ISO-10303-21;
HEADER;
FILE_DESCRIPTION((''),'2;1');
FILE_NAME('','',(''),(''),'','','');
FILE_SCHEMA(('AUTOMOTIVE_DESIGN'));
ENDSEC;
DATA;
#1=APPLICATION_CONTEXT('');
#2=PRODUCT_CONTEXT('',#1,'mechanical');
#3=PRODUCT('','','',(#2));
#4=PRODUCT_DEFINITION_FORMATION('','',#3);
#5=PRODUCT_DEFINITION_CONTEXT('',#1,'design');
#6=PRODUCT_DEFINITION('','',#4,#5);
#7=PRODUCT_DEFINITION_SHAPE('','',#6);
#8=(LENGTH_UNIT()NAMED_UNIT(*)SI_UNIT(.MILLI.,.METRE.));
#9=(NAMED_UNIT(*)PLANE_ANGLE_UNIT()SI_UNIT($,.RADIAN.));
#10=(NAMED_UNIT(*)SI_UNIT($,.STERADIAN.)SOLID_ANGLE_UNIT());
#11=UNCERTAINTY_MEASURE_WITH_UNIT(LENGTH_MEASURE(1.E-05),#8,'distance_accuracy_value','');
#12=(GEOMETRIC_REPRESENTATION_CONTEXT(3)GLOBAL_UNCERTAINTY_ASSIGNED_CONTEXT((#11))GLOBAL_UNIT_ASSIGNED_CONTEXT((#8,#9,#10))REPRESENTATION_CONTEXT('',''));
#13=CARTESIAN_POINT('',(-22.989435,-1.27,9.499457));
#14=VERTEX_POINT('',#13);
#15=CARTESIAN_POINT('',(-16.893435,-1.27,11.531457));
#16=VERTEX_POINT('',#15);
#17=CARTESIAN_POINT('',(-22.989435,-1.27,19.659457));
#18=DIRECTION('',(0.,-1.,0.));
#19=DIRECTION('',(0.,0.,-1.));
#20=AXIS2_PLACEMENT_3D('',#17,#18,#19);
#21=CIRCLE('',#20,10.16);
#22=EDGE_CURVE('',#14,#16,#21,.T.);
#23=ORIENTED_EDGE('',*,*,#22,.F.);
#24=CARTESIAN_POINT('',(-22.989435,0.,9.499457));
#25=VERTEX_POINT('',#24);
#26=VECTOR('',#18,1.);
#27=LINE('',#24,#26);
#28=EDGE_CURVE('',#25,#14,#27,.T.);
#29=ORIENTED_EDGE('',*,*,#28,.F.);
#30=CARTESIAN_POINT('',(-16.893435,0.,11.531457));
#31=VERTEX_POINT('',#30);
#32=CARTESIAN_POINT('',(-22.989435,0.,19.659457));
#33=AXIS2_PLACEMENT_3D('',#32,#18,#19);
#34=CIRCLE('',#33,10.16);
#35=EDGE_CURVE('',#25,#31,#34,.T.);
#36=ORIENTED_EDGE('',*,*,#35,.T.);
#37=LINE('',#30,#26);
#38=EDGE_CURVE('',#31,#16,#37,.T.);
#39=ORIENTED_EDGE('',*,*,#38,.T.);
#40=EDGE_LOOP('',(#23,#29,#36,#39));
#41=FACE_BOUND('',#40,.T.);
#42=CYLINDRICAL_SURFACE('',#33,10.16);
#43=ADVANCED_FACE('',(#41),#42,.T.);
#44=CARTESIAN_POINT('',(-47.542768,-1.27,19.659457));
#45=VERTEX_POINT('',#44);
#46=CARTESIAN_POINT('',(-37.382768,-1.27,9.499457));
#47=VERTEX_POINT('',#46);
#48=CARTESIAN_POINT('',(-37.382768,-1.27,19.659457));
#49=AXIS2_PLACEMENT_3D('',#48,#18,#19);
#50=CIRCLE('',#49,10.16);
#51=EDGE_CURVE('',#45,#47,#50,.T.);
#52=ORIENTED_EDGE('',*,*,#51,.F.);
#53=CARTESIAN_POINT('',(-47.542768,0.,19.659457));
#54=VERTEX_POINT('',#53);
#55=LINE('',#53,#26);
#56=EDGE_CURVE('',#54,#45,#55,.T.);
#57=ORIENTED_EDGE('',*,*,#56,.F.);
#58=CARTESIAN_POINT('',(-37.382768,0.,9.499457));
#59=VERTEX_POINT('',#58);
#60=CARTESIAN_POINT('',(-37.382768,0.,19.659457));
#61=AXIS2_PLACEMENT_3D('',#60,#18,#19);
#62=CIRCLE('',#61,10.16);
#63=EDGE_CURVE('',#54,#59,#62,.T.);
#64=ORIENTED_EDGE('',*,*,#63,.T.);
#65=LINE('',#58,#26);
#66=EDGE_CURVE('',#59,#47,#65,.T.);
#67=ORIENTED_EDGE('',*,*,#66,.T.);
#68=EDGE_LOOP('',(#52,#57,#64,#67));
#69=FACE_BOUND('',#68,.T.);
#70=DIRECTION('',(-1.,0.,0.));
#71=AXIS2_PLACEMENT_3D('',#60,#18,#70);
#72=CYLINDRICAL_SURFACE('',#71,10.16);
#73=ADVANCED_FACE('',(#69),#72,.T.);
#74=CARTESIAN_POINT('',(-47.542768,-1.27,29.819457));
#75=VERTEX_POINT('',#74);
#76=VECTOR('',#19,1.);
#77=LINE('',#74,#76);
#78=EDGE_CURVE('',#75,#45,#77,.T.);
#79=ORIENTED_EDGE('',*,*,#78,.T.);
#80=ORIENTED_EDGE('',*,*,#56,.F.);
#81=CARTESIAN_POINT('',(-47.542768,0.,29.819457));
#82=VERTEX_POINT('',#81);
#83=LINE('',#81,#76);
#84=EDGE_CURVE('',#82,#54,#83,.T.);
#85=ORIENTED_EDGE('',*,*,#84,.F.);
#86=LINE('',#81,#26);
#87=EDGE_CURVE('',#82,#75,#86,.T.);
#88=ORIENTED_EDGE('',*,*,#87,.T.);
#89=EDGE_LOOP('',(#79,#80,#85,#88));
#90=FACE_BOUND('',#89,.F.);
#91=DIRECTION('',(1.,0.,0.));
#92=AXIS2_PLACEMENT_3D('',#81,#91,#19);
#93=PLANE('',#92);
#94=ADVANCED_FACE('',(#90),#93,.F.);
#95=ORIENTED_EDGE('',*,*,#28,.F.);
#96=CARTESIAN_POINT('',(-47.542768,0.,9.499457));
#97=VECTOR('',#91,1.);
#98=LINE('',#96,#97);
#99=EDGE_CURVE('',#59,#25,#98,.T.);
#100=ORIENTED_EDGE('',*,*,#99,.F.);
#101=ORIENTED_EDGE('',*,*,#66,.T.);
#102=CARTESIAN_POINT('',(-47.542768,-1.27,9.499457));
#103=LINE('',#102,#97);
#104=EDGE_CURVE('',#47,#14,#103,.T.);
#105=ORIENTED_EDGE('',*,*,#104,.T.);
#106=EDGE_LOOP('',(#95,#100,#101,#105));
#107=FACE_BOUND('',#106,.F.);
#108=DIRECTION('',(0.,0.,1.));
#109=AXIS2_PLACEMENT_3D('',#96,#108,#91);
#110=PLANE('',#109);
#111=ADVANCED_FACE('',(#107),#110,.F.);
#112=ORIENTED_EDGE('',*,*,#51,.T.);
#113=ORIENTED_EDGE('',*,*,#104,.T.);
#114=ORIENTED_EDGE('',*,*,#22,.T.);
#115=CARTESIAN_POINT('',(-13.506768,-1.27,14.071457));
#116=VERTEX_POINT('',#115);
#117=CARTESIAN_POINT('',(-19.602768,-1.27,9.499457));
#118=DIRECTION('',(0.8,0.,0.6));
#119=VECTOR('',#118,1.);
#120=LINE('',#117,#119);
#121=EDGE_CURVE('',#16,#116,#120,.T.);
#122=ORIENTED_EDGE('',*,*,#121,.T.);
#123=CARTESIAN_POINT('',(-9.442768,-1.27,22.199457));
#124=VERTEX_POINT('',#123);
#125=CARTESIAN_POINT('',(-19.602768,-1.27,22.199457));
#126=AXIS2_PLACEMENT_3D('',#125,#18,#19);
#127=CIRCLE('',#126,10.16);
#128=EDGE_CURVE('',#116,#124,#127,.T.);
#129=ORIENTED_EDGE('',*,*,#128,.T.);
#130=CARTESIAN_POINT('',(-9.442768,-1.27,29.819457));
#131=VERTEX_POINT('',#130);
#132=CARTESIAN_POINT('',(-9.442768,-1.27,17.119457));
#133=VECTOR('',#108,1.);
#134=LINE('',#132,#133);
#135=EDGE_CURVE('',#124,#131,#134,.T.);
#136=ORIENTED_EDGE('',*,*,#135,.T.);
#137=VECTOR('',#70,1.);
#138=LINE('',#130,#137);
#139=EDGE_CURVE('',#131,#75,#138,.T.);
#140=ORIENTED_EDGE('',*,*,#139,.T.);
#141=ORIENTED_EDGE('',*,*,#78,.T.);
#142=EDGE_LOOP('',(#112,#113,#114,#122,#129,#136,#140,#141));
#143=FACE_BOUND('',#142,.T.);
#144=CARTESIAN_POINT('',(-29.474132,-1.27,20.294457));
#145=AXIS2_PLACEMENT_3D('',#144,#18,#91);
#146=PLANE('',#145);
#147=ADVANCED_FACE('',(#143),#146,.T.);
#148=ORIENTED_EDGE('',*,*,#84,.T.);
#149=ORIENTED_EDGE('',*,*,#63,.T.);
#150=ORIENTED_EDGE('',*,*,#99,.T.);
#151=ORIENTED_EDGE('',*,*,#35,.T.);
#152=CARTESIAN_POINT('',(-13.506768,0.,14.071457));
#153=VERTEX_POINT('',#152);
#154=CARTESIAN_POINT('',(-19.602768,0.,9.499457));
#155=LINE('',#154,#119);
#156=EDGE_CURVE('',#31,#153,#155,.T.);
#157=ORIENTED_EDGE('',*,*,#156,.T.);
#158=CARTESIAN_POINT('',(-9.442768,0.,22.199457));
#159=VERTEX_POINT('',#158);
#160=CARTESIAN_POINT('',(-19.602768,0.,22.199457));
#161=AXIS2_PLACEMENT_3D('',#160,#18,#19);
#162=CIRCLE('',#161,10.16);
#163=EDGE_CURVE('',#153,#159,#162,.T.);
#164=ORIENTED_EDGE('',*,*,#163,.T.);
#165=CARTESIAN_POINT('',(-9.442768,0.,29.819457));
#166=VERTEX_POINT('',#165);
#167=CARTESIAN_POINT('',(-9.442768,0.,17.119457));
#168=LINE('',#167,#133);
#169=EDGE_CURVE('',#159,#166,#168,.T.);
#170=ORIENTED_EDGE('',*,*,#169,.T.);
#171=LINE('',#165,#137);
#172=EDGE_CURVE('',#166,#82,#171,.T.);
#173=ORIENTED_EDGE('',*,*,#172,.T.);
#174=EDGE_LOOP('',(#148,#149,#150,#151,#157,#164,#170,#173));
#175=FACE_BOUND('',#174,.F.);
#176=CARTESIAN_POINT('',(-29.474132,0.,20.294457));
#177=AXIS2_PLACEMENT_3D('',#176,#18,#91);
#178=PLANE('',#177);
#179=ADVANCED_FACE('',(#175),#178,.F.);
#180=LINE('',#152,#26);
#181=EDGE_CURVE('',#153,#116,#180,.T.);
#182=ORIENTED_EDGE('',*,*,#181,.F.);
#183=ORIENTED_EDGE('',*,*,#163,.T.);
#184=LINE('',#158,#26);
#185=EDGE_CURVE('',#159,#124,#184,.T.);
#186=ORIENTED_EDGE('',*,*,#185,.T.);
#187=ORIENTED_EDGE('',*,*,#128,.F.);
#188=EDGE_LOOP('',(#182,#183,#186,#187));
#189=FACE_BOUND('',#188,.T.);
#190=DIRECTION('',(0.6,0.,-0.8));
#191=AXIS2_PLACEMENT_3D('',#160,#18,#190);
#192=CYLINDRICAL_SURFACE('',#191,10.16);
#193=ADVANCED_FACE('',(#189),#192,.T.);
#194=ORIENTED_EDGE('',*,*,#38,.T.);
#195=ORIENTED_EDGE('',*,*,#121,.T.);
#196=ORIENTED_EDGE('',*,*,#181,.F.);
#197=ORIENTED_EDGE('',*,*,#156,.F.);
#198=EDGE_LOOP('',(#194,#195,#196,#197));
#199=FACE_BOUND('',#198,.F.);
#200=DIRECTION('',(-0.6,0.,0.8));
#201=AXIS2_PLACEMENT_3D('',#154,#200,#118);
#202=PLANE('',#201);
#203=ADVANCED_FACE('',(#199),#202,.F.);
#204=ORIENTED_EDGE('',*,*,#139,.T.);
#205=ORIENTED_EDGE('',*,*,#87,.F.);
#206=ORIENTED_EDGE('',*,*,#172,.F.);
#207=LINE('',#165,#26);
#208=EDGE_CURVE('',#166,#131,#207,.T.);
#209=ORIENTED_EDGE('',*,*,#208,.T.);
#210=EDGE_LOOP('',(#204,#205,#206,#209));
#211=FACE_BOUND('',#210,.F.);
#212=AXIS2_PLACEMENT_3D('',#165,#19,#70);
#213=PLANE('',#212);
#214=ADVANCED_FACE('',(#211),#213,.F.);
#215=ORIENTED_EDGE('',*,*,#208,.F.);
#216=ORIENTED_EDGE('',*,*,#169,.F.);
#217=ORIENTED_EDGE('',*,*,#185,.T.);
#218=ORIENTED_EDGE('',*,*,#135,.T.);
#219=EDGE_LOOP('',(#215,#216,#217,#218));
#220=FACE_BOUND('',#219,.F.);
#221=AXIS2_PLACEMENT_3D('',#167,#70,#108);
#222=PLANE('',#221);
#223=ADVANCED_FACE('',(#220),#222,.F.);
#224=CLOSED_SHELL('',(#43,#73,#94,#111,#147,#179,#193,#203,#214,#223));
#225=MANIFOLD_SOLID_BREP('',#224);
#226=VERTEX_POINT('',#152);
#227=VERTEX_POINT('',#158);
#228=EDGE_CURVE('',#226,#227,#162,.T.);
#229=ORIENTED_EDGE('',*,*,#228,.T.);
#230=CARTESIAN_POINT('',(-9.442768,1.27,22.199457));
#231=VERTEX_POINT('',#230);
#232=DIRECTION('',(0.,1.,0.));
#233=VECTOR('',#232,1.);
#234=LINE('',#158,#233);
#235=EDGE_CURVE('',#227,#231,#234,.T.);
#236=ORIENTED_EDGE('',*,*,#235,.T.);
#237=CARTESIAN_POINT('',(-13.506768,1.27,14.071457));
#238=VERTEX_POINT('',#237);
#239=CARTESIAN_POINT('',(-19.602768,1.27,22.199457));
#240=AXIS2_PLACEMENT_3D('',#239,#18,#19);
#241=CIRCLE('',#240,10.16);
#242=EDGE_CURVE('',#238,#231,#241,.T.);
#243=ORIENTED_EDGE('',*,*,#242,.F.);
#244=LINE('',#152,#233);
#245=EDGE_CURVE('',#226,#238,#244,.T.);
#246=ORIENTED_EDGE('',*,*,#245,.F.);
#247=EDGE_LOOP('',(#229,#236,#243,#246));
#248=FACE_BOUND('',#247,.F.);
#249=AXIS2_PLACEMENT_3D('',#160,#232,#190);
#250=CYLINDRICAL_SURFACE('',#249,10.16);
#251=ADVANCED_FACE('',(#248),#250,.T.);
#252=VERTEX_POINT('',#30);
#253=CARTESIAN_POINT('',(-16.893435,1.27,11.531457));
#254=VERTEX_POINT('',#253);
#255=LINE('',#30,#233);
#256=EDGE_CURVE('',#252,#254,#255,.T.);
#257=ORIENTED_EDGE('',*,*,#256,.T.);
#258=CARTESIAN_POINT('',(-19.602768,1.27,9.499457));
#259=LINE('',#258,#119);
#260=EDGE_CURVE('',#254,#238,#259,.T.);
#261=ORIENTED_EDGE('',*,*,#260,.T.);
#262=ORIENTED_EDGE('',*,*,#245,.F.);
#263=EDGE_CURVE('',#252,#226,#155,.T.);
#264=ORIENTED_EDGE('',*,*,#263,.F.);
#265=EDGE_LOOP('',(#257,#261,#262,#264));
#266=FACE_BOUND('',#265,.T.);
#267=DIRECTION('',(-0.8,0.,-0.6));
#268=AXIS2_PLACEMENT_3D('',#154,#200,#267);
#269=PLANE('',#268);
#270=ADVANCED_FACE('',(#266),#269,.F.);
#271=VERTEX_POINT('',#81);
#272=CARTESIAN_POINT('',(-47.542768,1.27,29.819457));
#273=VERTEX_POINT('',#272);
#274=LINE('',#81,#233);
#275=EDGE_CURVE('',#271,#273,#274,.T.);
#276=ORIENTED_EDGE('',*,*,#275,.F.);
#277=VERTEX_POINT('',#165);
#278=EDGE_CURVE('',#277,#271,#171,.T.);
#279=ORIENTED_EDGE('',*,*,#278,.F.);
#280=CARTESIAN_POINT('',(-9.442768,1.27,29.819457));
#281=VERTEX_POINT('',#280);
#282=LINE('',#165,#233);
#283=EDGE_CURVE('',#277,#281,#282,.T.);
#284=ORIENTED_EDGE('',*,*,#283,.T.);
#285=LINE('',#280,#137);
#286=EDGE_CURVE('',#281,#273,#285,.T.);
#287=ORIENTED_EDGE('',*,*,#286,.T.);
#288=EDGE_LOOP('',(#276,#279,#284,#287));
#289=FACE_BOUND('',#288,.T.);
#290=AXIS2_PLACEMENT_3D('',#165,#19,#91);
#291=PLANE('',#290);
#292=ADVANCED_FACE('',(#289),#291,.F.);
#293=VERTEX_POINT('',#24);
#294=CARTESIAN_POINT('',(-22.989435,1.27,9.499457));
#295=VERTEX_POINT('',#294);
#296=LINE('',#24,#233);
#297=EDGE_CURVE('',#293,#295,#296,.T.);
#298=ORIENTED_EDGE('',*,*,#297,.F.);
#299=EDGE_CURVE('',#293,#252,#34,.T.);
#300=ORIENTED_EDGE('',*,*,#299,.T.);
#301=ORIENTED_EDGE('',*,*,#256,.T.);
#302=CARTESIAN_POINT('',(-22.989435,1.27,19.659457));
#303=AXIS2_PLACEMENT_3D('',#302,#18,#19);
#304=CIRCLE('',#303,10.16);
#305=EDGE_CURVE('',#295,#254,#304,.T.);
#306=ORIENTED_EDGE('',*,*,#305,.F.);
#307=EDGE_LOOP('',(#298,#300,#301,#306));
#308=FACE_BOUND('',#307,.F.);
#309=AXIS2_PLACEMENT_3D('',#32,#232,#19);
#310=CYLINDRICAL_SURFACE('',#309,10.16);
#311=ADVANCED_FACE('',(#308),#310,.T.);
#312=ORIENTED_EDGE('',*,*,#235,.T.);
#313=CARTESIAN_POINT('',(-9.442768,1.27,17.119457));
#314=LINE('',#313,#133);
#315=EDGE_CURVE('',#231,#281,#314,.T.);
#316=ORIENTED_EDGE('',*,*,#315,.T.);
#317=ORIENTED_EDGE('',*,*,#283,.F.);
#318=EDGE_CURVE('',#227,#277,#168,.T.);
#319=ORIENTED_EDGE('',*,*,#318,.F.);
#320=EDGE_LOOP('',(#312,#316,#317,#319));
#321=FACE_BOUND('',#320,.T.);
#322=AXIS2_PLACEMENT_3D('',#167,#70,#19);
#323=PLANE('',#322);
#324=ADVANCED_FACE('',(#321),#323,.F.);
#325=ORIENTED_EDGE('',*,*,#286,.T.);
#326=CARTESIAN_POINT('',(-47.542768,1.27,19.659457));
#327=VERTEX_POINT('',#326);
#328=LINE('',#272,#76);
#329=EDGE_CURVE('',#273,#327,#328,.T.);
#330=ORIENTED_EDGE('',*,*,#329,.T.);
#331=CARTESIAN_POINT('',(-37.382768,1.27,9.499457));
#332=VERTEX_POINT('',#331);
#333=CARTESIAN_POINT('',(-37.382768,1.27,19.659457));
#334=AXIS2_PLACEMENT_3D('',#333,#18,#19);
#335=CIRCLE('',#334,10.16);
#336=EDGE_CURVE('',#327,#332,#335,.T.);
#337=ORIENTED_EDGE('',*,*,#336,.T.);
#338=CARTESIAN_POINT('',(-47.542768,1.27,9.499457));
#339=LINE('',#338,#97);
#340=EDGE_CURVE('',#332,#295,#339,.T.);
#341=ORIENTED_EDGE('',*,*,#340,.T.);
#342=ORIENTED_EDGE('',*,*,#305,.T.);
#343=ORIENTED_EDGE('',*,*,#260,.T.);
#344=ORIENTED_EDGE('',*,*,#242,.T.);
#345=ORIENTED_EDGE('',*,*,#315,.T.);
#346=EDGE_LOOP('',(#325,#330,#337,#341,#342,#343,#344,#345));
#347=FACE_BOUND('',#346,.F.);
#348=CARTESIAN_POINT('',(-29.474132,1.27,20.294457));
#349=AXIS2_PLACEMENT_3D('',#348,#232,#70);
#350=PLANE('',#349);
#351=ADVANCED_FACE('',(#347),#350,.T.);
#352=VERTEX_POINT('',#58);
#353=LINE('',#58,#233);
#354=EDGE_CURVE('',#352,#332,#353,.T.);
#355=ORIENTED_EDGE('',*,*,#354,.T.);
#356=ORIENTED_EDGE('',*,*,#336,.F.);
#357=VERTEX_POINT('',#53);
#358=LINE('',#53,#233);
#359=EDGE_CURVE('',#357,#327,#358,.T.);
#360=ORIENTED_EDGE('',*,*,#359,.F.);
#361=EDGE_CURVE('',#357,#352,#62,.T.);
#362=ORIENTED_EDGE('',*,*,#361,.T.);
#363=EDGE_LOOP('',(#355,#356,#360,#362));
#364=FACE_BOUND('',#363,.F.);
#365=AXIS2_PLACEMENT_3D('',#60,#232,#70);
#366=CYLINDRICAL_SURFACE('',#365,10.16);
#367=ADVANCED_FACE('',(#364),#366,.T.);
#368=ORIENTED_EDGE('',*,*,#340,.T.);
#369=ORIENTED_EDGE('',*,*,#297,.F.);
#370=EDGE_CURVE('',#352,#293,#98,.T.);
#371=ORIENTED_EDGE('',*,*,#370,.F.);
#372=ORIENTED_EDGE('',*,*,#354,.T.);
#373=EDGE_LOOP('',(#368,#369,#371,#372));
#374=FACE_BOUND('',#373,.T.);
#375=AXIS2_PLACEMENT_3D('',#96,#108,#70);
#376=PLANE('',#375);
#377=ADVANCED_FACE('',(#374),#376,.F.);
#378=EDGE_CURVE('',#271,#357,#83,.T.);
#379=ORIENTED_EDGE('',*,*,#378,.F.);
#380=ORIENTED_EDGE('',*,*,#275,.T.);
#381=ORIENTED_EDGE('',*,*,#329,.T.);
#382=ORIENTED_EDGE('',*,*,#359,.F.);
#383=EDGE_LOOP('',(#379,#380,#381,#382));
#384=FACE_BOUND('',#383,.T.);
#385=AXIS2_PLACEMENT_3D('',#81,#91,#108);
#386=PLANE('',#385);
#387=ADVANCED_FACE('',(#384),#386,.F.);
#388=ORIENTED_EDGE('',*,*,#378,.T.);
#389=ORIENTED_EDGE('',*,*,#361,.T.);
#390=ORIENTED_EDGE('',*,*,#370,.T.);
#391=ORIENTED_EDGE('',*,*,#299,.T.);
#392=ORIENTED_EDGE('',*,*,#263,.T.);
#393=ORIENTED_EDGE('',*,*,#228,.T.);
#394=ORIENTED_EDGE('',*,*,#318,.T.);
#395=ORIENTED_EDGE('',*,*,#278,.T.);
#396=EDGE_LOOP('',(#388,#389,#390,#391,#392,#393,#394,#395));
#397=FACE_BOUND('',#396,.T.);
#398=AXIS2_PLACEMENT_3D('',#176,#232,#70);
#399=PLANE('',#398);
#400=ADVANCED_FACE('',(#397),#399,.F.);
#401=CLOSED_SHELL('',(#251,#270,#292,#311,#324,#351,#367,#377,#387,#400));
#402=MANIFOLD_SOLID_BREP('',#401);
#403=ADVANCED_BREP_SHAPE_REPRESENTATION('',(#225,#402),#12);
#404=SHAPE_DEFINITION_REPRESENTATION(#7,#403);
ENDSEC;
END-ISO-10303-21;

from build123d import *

# Parameters (mm, degrees)
F1_DEPTH = 1.27
F2_R     = 10.16


with BuildPart() as f1:
    # F0 (on Front) → F1 (new body)
    with BuildSketch(Plane.XZ):
        Polygon((-9.442768, 29.819457), (-47.542768, 29.819457), (-47.542768, 9.499457), (-19.602768, 9.499457), (-9.442768, 17.119457), align=None)
    extrude(amount=F1_DEPTH)

    # F2
    f2_edges = [f1.edges().sort_by_distance(p)[0] for p in [
        (-47.542768, -0.635, 9.499457),
        (-19.602768, -0.635, 9.499457),
        (-9.442768, -0.635, 17.119457),
    ]]
    fillet(f2_edges, radius=F2_R)


with BuildPart() as f3_1:
    # F3: instance of F1
    add(f1.part.mirror(Plane.XZ))


solid = Compound([f1.part, f3_1.part])
